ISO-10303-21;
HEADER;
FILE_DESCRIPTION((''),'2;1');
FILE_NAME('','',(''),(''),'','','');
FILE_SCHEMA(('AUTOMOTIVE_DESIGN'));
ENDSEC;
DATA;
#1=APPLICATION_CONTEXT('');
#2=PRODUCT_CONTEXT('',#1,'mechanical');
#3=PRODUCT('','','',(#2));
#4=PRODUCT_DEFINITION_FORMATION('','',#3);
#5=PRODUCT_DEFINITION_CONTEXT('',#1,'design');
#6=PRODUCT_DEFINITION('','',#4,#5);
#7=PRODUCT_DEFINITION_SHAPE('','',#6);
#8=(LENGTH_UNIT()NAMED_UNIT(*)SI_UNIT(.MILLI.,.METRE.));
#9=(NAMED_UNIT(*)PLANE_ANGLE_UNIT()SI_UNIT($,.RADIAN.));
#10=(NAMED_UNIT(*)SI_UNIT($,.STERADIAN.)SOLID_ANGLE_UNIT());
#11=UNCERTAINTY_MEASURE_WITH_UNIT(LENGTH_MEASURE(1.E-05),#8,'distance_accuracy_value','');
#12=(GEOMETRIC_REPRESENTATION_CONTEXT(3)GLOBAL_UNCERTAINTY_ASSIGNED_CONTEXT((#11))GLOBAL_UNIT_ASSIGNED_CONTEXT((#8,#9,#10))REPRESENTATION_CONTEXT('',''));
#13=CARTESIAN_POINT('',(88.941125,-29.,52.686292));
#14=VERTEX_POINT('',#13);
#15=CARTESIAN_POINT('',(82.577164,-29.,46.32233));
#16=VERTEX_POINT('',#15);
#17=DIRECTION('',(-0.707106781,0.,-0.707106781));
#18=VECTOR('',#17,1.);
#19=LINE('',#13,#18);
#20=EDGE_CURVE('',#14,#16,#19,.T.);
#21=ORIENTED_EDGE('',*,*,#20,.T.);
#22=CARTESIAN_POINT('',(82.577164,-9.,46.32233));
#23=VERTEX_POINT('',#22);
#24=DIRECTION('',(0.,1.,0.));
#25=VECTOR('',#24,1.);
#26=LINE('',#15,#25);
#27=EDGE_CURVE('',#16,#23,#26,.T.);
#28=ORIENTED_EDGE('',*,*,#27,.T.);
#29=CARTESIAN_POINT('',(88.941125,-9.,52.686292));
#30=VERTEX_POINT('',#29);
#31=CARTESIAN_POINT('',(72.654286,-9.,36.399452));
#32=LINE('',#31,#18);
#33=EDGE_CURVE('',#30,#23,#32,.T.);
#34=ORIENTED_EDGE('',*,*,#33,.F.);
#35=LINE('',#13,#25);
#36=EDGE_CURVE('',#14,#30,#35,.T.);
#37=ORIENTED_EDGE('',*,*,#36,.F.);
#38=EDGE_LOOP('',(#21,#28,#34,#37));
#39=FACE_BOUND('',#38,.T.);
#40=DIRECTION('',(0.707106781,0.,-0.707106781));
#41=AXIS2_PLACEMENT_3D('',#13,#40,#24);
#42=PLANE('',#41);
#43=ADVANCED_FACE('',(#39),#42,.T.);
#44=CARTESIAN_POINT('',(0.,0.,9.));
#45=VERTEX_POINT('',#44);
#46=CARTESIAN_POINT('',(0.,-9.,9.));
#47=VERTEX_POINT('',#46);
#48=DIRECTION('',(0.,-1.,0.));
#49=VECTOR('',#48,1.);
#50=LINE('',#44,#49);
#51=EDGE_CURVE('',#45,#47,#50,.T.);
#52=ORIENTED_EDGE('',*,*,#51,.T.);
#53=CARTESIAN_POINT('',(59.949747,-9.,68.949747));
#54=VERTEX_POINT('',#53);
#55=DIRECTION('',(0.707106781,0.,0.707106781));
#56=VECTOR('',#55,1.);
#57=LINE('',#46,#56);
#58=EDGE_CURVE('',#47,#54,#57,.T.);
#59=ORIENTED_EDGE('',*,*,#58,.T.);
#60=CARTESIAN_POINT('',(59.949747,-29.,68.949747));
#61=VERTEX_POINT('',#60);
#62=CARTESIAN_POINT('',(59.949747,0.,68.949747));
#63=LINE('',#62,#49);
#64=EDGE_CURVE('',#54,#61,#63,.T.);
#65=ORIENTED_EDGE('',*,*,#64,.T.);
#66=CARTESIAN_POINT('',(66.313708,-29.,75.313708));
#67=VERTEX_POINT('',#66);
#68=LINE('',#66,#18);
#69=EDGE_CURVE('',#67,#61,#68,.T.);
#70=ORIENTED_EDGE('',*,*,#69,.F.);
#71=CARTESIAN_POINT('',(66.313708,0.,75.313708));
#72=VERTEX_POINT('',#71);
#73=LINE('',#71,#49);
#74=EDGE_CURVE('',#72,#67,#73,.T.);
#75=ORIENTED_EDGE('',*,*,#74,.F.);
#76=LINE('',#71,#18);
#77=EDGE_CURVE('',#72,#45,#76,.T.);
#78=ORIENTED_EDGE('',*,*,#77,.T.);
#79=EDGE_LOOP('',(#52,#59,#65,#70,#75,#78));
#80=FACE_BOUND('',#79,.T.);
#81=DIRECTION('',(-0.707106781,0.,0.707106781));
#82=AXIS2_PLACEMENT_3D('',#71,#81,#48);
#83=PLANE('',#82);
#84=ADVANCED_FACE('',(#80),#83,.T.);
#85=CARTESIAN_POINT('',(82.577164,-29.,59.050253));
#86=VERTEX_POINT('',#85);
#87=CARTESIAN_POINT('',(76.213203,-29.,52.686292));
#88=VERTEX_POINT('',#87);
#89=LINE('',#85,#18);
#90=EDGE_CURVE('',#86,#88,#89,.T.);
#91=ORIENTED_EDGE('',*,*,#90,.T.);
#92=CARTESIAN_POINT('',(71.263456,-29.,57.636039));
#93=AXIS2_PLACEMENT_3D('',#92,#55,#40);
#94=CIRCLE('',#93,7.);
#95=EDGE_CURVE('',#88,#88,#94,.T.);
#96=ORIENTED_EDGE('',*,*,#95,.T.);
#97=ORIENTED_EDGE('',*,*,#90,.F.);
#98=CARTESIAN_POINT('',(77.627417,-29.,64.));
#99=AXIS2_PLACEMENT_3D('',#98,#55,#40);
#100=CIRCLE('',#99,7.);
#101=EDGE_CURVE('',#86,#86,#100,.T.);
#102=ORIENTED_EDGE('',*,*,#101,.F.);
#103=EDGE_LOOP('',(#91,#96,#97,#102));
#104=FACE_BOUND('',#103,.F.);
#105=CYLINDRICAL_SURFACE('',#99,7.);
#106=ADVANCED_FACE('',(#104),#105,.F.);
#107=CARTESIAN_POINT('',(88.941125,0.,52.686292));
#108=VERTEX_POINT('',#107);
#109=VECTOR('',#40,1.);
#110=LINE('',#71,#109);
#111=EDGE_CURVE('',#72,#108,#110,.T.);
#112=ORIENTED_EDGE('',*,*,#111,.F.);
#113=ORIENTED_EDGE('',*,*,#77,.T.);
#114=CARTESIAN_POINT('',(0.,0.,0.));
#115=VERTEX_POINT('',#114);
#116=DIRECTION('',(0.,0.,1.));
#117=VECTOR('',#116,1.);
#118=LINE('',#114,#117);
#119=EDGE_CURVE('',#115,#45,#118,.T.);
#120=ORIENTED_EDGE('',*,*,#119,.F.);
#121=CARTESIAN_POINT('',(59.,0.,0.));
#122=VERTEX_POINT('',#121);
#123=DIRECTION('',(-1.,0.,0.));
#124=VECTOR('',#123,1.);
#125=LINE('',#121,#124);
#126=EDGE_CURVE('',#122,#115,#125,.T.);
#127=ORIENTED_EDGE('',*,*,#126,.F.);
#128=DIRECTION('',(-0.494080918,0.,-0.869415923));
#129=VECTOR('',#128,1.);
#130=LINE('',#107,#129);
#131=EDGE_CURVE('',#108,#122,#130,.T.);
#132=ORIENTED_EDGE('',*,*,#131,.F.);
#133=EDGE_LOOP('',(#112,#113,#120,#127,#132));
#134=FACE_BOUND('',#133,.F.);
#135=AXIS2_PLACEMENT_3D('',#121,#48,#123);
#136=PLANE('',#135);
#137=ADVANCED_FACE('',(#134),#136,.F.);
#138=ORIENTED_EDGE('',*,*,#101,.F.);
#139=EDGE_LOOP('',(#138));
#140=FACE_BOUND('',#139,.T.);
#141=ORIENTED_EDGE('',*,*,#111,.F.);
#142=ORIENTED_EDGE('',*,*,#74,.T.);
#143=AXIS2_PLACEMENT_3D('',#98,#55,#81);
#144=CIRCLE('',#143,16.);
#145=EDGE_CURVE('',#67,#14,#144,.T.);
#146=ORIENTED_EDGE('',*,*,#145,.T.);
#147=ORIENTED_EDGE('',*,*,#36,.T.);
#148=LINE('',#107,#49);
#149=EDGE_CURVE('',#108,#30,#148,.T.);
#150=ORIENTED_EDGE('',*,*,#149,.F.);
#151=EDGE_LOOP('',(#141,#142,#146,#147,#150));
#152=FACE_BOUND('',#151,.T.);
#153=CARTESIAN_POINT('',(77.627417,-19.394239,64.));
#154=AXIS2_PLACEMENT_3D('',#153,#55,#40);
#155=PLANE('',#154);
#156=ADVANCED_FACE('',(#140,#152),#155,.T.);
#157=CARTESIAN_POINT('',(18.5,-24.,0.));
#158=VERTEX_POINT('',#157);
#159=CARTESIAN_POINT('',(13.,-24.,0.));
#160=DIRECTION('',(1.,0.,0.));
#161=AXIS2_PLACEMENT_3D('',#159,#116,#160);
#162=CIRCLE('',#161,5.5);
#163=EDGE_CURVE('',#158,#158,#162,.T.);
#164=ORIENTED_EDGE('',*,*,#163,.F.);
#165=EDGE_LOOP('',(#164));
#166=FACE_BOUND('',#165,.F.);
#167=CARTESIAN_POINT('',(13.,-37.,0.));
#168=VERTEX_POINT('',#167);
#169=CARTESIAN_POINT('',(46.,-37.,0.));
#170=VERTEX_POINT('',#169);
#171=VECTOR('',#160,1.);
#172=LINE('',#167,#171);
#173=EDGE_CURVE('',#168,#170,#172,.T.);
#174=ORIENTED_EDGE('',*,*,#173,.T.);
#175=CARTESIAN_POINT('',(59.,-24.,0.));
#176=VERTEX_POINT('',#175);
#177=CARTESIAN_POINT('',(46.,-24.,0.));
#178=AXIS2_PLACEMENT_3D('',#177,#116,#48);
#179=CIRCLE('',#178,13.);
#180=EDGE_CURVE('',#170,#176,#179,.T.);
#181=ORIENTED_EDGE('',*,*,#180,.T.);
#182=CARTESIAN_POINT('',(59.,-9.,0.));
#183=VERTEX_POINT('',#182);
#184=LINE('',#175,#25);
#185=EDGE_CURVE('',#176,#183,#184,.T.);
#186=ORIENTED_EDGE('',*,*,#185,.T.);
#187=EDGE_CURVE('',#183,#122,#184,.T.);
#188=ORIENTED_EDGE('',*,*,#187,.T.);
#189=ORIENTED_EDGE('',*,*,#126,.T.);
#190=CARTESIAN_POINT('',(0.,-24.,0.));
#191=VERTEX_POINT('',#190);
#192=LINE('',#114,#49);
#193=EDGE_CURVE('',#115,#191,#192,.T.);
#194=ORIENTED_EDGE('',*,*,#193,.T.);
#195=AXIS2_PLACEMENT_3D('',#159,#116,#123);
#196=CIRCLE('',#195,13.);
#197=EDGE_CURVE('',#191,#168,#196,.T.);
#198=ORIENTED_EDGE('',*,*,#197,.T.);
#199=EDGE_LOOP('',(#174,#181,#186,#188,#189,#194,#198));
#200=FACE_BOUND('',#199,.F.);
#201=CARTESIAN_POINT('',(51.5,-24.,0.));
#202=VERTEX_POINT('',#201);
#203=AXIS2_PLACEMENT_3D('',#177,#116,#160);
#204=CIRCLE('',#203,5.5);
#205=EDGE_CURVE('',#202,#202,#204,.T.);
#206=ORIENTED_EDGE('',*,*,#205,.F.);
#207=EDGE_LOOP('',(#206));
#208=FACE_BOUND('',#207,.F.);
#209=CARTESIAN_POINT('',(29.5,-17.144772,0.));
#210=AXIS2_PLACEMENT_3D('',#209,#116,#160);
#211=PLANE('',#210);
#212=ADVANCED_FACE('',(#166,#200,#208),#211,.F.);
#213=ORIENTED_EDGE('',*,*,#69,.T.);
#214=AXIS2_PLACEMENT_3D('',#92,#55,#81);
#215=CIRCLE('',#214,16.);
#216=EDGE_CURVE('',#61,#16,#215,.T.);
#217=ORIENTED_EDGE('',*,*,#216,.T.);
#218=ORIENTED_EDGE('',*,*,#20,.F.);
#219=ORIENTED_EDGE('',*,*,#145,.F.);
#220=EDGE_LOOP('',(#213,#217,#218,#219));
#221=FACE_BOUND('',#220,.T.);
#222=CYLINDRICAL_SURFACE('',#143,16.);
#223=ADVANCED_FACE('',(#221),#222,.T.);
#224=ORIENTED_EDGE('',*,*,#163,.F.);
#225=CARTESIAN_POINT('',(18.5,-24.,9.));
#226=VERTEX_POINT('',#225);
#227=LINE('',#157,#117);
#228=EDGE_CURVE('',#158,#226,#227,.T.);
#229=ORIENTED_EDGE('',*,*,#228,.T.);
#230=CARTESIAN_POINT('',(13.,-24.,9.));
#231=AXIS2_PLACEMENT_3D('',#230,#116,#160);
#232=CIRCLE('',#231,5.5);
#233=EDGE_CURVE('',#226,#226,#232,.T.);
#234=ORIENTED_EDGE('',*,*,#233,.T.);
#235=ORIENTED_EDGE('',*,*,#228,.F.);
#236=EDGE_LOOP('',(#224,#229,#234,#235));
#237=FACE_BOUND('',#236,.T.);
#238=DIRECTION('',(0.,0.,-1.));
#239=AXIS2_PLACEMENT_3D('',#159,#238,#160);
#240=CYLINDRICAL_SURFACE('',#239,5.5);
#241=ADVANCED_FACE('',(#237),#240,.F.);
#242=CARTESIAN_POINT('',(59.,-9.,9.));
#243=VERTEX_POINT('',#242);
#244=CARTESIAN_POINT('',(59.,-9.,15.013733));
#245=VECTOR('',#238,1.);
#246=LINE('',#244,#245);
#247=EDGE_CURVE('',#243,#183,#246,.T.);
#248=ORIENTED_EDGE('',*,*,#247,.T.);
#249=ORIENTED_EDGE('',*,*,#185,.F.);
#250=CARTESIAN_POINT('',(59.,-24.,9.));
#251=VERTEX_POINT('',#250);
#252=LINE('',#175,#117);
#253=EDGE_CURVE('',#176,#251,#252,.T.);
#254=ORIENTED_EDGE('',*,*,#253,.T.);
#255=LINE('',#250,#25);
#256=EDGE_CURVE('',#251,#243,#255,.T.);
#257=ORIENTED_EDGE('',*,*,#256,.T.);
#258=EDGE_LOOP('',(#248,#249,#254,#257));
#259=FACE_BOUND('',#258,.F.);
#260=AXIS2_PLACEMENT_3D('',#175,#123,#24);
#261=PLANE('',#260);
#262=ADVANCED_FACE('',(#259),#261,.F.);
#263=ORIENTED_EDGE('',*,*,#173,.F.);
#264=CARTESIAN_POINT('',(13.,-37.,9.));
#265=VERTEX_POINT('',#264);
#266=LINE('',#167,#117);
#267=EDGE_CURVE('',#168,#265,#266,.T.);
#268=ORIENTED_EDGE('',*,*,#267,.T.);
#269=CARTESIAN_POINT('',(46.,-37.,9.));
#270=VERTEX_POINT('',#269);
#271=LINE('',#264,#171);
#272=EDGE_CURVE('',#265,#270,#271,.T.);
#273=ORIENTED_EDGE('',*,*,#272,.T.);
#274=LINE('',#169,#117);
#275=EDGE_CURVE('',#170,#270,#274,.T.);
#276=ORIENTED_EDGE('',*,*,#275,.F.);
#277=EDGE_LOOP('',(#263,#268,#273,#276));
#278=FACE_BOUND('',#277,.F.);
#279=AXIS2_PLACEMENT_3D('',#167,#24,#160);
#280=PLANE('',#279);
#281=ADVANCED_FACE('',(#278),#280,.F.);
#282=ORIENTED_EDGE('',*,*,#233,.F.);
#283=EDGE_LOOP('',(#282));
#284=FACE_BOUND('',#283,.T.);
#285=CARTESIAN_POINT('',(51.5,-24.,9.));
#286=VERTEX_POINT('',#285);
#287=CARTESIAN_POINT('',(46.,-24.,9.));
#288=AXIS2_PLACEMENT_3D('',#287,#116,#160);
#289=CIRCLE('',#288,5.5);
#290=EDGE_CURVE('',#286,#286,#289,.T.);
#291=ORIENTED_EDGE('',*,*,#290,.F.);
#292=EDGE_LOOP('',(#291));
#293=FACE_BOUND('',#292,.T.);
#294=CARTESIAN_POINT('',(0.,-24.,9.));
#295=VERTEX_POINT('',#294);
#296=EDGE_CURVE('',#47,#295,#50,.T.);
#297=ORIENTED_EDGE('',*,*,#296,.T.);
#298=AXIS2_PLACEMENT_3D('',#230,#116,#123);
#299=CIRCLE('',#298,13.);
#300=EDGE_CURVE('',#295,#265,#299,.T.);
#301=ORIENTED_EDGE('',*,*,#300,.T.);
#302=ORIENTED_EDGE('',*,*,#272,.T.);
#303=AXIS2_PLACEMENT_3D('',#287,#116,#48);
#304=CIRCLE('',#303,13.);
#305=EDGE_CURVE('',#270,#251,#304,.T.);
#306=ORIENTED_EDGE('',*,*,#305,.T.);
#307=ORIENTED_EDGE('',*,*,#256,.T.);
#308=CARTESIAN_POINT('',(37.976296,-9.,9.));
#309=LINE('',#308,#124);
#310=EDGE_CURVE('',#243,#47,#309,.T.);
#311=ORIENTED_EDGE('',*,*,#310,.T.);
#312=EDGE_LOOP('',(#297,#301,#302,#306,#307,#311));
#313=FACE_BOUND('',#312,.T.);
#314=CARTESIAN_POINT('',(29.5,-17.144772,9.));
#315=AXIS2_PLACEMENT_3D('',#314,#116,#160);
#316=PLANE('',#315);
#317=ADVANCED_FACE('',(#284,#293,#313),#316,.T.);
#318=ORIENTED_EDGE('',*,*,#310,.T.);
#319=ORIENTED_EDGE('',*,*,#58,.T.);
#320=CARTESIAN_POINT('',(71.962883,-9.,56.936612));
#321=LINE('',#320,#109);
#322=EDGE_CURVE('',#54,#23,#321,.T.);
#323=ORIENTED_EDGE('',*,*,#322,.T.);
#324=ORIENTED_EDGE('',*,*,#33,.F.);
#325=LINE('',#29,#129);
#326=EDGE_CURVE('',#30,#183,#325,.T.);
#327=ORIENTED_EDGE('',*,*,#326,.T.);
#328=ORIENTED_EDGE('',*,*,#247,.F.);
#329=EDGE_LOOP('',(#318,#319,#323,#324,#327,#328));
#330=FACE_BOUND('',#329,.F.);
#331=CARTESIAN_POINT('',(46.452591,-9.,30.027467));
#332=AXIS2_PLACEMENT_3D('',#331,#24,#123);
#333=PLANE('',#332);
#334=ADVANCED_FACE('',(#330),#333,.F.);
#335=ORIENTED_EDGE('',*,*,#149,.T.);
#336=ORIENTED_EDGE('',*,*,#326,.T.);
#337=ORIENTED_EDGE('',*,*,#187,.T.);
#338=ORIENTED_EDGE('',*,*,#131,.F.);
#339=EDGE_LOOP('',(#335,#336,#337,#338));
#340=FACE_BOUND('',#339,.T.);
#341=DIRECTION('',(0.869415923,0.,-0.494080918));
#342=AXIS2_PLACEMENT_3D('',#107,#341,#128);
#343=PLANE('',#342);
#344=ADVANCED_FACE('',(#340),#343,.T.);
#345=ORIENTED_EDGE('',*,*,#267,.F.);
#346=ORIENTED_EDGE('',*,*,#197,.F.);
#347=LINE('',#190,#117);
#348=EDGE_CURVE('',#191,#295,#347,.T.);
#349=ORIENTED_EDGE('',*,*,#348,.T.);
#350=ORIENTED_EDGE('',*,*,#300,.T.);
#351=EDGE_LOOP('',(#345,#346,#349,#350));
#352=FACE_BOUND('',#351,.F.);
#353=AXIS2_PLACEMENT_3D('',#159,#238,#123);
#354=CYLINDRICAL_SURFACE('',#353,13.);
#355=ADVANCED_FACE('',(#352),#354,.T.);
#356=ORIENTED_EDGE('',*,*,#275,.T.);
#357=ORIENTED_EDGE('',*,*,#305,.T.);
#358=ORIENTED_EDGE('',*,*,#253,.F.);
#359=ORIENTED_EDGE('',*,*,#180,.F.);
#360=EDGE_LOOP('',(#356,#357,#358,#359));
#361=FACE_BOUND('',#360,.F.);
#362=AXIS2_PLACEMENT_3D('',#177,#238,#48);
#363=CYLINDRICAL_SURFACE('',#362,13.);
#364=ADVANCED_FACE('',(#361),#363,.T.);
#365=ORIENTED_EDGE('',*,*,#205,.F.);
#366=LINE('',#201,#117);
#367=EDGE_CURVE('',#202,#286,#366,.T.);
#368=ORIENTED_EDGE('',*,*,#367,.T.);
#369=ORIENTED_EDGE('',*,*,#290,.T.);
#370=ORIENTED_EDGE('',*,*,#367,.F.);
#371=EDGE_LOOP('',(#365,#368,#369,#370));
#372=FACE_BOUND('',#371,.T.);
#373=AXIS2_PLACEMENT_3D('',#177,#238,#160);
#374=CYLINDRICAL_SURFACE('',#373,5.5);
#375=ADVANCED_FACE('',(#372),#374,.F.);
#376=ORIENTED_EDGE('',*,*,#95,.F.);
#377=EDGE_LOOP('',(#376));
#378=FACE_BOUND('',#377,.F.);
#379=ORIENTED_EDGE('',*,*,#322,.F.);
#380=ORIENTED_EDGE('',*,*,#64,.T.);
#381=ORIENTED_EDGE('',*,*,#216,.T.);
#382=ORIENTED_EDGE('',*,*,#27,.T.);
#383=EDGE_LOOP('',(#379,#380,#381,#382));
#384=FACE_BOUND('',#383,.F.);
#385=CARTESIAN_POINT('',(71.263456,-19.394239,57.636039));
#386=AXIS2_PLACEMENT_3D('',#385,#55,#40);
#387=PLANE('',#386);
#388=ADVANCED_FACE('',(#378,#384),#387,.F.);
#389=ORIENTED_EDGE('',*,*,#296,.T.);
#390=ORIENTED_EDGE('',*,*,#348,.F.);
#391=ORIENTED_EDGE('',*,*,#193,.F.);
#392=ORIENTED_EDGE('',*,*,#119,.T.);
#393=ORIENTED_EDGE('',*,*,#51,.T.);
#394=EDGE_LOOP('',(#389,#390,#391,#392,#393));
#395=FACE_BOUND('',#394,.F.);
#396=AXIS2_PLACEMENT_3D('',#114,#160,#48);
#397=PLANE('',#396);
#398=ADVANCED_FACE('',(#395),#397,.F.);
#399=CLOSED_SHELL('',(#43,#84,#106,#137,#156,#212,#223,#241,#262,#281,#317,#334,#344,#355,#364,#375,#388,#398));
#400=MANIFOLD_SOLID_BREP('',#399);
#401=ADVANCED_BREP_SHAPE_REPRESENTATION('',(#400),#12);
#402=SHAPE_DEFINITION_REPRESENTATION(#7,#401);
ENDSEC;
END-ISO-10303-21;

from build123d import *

# Parameters (mm, degrees)
F0_R     = 5.5
F1_DEPTH = 9
F3_DEPTH = 9
F4_R     = 7
F5_DEPTH = 9


with BuildPart() as f1:
    # F0 (on Top) → F1 (new body)
    with BuildSketch(Plane.XY):
        with BuildLine():
            Line((59, 0), (0, 0))
            Line((0, 0), (0, -24))
            ThreePointArc((0, -24), (3.8076118446, -33.1923881554), (13, -37))
            Line((13, -37), (46, -37))
            ThreePointArc((46, -37), (55.1923881554, -33.1923881554), (59, -24))
            Line((59, -24), (59, 0))
        make_face()
        with Locations((13, -24)):
            Circle(F0_R, mode=Mode.SUBTRACT)
        with Locations((46, -24)):
            Circle(F0_R, mode=Mode.SUBTRACT)
    extrude(amount=F1_DEPTH)

    # F2 (on face) → F3 (join)
    with BuildSketch(Plane(origin=(0, 0, 0), x_dir=(-1, 0, 0), z_dir=(0, 1, 0))):
        Polygon((0, 0), (0, 9), (-66.313708499, 75.313708499), (-88.941125497, 52.686291501), (-59, 0), align=None)
    extrude(amount=-F3_DEPTH)

    # F4 (on face) → F5 (join)
    with BuildSketch(Plane(origin=(70.813708499, 0, 70.813708499), x_dir=(0.7071067812, 0, -0.7071067812), z_dir=(0.7071067812, 0, 0.7071067812))):
        with BuildLine():
            Line((25.6360389693, -29), (25.6360389693, 0))
            Line((25.6360389693, 0), (-6.3639610307, 0))
            Line((-6.3639610307, 0), (-6.3639610307, -29))
            ThreePointArc((-6.3639610307, -29), (9.6360389693, -45), (25.6360389693, -29))
        make_face()
        with Locations((9.6360389693, -29)):
            Circle(F4_R, mode=Mode.SUBTRACT)
    extrude(amount=-F5_DEPTH)


solid = f1.part
